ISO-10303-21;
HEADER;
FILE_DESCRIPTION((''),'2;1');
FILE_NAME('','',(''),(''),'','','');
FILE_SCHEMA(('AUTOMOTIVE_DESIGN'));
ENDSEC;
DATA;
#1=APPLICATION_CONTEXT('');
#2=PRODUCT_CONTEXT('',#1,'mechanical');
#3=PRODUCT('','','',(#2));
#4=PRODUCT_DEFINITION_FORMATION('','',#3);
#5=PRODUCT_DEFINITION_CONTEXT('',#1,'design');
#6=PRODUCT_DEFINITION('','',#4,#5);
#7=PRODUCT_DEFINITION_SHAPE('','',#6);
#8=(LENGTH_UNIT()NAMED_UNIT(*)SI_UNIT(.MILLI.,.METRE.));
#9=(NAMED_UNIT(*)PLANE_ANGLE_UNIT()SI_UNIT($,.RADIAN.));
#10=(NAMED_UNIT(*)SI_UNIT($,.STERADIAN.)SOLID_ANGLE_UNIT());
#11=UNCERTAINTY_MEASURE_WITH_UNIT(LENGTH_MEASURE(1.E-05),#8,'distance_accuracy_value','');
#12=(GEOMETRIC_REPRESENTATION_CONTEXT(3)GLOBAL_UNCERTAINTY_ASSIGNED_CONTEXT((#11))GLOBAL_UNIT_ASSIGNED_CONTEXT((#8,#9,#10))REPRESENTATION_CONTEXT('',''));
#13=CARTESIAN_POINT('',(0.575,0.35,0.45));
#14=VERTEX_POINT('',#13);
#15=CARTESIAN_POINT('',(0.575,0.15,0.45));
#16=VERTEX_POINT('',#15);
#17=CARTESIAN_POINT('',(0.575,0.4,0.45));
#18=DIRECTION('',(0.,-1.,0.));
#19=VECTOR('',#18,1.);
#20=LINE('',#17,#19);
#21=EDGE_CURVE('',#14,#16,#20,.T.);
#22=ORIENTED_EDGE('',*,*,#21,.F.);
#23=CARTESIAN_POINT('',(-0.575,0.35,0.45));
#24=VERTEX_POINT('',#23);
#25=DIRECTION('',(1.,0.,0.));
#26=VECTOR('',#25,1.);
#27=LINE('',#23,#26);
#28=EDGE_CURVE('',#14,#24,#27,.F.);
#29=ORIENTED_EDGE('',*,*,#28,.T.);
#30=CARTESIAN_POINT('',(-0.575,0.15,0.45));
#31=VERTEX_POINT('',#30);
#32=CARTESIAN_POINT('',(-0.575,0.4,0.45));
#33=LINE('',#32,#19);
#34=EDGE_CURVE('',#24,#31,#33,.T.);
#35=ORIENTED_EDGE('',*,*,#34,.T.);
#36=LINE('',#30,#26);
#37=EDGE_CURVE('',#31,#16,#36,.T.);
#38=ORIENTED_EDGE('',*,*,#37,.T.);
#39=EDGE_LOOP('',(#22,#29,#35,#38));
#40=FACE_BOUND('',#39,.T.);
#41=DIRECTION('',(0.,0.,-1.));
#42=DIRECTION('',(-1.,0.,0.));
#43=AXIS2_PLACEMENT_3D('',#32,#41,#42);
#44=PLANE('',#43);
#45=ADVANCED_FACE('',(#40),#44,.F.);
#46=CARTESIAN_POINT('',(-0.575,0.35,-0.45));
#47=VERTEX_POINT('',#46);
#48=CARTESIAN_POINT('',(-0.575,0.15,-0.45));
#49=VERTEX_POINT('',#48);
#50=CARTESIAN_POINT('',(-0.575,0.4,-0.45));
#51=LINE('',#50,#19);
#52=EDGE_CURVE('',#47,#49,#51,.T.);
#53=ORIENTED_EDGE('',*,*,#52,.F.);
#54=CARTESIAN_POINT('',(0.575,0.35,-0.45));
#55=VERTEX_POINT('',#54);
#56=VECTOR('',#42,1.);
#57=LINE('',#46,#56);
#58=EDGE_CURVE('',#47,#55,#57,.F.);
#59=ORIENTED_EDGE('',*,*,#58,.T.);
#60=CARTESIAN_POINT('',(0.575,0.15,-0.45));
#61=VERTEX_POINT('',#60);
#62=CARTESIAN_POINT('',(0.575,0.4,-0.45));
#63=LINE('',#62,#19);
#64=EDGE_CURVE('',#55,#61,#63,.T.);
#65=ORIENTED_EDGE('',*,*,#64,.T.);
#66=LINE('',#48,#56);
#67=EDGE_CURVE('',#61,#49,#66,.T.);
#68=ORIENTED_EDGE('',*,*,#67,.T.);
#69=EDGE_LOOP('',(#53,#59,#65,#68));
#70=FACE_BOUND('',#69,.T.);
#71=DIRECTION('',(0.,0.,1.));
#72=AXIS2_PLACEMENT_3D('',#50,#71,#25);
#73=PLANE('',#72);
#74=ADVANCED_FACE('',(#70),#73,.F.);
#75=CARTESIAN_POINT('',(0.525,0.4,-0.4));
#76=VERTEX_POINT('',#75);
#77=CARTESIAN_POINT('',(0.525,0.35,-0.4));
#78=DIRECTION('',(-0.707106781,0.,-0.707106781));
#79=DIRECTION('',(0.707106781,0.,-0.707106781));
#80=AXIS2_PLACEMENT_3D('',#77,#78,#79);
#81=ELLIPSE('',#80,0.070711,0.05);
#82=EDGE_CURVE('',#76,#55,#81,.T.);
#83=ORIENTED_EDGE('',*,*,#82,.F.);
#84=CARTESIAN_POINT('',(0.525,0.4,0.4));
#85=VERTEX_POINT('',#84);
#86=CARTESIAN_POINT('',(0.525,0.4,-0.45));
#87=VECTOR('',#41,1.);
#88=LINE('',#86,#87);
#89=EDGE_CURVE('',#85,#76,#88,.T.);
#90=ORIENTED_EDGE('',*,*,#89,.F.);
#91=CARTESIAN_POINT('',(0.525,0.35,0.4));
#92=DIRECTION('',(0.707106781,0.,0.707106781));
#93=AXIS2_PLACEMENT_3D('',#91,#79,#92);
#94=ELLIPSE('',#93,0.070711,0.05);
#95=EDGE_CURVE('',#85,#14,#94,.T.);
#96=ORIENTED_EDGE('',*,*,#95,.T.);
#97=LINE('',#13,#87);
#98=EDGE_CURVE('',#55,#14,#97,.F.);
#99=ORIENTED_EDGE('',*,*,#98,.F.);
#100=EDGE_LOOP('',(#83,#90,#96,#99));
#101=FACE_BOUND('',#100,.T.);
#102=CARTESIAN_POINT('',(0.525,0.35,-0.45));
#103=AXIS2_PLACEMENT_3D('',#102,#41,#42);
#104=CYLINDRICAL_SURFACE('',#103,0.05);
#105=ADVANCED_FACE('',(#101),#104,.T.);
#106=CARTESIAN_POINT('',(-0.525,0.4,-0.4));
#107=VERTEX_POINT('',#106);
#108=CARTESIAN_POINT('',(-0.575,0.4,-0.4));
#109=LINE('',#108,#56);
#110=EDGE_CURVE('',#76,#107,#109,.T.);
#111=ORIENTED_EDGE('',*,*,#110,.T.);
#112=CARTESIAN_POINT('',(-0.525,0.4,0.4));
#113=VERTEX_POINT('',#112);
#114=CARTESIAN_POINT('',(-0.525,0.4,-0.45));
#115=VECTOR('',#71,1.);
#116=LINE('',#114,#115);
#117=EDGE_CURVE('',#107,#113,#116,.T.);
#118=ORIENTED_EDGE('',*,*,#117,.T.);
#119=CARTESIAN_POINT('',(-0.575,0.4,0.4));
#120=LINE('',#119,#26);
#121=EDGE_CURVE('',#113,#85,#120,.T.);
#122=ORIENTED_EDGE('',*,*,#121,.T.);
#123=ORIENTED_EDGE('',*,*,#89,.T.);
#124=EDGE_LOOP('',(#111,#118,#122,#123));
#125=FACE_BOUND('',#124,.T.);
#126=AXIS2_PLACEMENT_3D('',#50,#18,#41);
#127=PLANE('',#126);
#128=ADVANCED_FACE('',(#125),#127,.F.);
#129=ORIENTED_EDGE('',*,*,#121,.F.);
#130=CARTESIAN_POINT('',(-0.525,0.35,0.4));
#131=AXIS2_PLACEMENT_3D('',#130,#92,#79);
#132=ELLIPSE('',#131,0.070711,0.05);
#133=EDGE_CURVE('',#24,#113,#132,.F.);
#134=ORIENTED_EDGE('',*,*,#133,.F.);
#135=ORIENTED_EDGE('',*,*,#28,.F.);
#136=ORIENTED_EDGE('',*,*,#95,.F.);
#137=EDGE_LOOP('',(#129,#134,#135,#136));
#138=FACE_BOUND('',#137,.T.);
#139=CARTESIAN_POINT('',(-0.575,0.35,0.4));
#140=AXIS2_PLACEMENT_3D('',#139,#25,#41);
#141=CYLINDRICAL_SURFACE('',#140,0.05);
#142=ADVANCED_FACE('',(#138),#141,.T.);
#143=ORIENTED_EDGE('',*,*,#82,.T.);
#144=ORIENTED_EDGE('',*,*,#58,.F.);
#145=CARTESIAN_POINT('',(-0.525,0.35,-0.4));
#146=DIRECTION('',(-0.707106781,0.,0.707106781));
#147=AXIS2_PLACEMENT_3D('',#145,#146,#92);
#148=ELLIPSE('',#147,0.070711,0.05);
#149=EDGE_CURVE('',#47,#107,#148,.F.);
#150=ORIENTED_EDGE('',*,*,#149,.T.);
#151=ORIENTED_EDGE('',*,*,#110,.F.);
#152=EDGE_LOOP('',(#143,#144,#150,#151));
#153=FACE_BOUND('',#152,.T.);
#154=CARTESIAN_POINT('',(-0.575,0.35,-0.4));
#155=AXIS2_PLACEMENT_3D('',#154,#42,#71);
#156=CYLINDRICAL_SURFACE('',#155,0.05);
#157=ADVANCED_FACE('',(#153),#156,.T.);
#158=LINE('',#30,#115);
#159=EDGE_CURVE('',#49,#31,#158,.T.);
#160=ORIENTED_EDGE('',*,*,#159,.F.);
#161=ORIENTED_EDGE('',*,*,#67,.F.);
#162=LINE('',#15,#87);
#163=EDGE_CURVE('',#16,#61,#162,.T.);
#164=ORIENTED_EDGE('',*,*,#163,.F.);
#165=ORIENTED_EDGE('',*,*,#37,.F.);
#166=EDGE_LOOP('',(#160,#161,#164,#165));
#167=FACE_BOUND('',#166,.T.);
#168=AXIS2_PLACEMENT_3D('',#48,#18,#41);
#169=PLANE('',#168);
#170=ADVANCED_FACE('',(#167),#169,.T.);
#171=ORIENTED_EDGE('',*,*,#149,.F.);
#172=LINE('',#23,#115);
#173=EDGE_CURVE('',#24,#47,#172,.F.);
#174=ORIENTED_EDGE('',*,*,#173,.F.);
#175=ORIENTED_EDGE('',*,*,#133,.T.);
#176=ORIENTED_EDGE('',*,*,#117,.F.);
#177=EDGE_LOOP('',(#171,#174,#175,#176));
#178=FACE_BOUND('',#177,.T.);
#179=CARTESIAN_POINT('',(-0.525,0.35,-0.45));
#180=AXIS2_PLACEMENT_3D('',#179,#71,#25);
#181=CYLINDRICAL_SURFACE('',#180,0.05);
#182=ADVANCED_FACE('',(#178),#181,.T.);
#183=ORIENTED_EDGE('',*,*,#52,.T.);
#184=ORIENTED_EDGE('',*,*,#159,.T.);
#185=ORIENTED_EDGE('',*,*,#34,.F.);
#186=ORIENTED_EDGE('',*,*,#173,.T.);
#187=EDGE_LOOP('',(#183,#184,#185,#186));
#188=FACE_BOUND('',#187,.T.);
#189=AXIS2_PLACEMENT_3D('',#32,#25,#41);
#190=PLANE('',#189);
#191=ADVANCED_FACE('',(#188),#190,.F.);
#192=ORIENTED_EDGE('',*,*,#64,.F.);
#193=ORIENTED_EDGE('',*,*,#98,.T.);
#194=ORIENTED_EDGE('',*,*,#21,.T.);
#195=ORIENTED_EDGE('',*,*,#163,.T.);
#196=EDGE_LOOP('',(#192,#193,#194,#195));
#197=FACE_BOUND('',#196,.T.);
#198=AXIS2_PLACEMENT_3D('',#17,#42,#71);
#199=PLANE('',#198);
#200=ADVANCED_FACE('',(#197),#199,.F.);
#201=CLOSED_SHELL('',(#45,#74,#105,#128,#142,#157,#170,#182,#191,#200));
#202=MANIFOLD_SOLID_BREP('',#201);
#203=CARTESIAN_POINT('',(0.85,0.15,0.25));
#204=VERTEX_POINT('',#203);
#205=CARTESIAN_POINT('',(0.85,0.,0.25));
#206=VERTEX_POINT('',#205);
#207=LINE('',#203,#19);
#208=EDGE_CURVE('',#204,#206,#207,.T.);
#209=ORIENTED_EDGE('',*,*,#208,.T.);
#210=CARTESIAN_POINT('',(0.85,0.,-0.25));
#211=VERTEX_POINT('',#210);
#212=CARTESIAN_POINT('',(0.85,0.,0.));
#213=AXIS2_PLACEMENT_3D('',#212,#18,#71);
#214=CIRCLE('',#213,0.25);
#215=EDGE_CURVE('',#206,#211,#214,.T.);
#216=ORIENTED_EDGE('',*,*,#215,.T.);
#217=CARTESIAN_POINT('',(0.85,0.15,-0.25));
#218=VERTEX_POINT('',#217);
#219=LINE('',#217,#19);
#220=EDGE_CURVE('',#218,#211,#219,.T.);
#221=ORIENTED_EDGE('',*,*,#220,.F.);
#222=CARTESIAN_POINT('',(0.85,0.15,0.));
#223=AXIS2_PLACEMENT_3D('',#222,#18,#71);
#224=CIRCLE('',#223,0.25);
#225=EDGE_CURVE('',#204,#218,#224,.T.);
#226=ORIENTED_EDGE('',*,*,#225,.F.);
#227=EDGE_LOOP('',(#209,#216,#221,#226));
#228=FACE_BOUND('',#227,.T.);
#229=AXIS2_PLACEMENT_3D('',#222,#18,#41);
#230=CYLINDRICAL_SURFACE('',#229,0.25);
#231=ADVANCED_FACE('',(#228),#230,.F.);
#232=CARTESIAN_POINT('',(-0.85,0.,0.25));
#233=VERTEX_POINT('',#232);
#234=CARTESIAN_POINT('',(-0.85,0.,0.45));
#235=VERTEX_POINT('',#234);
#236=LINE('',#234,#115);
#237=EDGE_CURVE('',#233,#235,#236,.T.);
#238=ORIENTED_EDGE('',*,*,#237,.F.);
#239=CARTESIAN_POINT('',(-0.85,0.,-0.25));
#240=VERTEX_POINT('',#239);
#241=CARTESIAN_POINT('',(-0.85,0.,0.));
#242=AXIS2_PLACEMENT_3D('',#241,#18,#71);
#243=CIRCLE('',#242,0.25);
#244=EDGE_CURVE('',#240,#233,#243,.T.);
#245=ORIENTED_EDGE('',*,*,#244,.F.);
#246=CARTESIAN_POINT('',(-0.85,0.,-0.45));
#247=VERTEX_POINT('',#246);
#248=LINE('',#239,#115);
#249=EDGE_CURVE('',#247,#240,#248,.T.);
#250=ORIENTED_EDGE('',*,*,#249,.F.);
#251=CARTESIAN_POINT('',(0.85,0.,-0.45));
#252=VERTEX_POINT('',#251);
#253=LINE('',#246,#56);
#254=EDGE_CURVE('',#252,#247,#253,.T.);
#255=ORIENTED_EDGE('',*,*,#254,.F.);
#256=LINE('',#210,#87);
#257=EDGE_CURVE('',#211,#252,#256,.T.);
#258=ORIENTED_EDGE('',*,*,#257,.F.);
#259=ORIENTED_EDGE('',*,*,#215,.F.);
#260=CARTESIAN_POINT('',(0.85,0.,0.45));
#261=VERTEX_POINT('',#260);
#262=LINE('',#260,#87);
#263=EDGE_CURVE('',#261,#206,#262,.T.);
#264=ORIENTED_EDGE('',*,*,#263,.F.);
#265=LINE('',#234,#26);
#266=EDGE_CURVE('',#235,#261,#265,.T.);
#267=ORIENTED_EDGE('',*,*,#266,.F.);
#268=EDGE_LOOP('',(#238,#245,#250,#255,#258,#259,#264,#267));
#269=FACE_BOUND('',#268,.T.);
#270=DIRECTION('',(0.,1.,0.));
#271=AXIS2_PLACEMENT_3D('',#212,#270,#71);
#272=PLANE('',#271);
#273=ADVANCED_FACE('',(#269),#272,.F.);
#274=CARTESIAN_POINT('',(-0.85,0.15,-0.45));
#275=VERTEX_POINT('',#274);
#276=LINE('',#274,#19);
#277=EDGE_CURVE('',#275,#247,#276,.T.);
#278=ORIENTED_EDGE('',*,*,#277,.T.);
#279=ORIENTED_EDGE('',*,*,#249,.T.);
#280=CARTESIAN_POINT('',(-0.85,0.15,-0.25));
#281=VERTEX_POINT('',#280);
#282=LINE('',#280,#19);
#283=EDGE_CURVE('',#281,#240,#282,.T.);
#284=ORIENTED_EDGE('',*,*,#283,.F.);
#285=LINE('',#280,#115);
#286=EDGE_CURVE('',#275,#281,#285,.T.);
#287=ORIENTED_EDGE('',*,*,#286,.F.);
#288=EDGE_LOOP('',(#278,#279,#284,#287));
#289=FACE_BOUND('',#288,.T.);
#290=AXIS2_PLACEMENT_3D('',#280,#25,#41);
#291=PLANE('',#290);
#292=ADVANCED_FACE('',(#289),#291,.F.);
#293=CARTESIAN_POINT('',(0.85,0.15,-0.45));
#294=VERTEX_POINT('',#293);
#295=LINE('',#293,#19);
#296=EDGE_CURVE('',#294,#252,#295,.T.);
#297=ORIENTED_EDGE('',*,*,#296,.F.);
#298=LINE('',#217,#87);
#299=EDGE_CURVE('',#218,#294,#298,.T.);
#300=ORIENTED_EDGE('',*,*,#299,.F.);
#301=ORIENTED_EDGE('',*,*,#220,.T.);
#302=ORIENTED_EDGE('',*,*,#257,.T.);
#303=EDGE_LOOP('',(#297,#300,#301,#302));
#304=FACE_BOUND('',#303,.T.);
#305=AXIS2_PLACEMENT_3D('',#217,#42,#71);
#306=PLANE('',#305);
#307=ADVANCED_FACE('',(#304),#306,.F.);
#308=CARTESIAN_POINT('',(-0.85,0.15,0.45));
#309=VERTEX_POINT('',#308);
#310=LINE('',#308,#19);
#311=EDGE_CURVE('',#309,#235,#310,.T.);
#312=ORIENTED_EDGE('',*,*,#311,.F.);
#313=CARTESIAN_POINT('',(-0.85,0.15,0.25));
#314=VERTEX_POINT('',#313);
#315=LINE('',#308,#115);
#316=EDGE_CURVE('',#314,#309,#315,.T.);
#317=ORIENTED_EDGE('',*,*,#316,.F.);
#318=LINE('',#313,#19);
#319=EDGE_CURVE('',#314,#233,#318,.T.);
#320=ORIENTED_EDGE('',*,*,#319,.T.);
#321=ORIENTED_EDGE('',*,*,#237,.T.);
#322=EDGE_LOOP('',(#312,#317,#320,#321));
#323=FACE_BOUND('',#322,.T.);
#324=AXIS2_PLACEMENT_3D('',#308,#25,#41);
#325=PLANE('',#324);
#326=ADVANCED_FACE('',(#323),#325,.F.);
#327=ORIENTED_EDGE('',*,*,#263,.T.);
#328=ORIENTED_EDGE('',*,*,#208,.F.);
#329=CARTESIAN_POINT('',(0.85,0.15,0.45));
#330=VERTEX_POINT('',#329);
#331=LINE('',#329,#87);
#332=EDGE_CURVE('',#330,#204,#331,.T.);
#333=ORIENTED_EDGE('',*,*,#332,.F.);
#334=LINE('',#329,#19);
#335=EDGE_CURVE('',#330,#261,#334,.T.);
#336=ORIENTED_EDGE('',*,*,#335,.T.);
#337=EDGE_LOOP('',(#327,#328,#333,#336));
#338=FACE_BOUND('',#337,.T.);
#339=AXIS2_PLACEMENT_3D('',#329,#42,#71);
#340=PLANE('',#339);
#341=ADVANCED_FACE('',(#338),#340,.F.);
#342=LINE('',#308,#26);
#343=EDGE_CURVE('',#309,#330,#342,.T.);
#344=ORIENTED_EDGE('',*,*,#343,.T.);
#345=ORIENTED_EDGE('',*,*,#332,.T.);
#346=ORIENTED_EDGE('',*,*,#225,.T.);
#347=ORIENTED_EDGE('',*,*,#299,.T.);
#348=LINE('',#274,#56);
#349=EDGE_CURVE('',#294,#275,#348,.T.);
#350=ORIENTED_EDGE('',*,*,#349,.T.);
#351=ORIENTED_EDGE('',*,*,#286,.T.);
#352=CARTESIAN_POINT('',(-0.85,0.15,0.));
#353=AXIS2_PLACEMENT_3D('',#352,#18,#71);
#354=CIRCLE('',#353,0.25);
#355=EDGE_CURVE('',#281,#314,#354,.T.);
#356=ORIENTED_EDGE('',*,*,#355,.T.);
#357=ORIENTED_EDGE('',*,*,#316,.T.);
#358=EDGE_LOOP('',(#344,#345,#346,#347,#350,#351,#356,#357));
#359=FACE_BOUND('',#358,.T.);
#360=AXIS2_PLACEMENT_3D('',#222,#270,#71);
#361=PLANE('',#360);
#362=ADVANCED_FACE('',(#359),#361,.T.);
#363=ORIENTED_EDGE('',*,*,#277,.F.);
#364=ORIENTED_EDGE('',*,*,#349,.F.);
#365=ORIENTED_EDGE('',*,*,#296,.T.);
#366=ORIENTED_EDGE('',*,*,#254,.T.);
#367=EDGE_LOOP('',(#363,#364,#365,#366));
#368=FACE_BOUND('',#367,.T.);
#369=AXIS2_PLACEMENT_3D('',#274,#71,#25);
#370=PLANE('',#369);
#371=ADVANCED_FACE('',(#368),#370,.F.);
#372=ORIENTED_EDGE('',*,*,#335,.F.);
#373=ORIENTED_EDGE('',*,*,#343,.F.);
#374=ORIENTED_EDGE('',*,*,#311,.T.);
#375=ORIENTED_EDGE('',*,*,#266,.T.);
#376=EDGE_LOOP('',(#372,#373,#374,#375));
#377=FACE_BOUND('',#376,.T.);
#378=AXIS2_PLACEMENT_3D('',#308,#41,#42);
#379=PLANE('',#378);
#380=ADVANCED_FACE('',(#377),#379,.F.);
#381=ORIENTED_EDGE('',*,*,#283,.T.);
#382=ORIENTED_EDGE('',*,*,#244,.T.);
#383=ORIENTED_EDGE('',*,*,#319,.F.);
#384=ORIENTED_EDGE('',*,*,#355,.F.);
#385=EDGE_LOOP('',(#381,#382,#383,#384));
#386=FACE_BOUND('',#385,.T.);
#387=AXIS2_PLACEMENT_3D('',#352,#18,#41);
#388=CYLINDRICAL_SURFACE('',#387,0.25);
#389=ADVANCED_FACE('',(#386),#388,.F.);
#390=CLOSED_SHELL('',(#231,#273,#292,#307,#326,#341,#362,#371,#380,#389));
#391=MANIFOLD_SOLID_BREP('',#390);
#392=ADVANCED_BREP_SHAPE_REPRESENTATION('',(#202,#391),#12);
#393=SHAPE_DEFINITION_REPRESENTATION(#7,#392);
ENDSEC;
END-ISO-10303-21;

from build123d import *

# Parameters (mm, degrees)
BOSS_EXTRUDE1_DEPTH = 0.15
SKETCH2_W           = 1.15
SKETCH2_H           = 0.9
BOSS_EXTRUDE2_DEPTH = 0.25
FILLET1_R           = 0.05


with BuildPart() as part:
    # Sketch1 → Boss-Extrude1 (new body)
    with BuildSketch(Plane(origin=(0, 0, 0), x_dir=(1, 0, 0), z_dir=(0, 1, 0))):
        with BuildLine():
            Line((-0.85, -0.45), (0.85, -0.45))
            Line((0.85, -0.45), (0.85, -0.25))
            ThreePointArc((0.85, -0.25), (0.6, 0), (0.85, 0.25))
            Line((0.85, 0.25), (0.85, 0.45))
            Line((0.85, 0.45), (-0.85, 0.45))
            Line((-0.85, 0.45), (-0.85, 0.25))
            ThreePointArc((-0.85, 0.25), (-0.6, 0), (-0.85, -0.25))
            Line((-0.85, -0.25), (-0.85, -0.45))
        make_face()
    extrude(amount=BOSS_EXTRUDE1_DEPTH)


with BuildPart() as body_2:
    # Sketch2 → Boss-Extrude2 (new body)
    with BuildSketch(Plane(origin=(0, 0.15, 0), x_dir=(1, 0, 0), z_dir=(0, 1, 0))):
        Rectangle(SKETCH2_W, SKETCH2_H)
    extrude(amount=BOSS_EXTRUDE2_DEPTH)

    # Fillet1
    fillet1_edges = [body_2.edges().sort_by_distance(p)[0] for p in [
        (0.575, 0.4, 0),
        (0, 0.4, -0.45),
        (-0.575, 0.4, 0),
        (0, 0.4, 0.45),
    ]]
    fillet(fillet1_edges, radius=FILLET1_R)


solid = Compound([part.part, body_2.part])
